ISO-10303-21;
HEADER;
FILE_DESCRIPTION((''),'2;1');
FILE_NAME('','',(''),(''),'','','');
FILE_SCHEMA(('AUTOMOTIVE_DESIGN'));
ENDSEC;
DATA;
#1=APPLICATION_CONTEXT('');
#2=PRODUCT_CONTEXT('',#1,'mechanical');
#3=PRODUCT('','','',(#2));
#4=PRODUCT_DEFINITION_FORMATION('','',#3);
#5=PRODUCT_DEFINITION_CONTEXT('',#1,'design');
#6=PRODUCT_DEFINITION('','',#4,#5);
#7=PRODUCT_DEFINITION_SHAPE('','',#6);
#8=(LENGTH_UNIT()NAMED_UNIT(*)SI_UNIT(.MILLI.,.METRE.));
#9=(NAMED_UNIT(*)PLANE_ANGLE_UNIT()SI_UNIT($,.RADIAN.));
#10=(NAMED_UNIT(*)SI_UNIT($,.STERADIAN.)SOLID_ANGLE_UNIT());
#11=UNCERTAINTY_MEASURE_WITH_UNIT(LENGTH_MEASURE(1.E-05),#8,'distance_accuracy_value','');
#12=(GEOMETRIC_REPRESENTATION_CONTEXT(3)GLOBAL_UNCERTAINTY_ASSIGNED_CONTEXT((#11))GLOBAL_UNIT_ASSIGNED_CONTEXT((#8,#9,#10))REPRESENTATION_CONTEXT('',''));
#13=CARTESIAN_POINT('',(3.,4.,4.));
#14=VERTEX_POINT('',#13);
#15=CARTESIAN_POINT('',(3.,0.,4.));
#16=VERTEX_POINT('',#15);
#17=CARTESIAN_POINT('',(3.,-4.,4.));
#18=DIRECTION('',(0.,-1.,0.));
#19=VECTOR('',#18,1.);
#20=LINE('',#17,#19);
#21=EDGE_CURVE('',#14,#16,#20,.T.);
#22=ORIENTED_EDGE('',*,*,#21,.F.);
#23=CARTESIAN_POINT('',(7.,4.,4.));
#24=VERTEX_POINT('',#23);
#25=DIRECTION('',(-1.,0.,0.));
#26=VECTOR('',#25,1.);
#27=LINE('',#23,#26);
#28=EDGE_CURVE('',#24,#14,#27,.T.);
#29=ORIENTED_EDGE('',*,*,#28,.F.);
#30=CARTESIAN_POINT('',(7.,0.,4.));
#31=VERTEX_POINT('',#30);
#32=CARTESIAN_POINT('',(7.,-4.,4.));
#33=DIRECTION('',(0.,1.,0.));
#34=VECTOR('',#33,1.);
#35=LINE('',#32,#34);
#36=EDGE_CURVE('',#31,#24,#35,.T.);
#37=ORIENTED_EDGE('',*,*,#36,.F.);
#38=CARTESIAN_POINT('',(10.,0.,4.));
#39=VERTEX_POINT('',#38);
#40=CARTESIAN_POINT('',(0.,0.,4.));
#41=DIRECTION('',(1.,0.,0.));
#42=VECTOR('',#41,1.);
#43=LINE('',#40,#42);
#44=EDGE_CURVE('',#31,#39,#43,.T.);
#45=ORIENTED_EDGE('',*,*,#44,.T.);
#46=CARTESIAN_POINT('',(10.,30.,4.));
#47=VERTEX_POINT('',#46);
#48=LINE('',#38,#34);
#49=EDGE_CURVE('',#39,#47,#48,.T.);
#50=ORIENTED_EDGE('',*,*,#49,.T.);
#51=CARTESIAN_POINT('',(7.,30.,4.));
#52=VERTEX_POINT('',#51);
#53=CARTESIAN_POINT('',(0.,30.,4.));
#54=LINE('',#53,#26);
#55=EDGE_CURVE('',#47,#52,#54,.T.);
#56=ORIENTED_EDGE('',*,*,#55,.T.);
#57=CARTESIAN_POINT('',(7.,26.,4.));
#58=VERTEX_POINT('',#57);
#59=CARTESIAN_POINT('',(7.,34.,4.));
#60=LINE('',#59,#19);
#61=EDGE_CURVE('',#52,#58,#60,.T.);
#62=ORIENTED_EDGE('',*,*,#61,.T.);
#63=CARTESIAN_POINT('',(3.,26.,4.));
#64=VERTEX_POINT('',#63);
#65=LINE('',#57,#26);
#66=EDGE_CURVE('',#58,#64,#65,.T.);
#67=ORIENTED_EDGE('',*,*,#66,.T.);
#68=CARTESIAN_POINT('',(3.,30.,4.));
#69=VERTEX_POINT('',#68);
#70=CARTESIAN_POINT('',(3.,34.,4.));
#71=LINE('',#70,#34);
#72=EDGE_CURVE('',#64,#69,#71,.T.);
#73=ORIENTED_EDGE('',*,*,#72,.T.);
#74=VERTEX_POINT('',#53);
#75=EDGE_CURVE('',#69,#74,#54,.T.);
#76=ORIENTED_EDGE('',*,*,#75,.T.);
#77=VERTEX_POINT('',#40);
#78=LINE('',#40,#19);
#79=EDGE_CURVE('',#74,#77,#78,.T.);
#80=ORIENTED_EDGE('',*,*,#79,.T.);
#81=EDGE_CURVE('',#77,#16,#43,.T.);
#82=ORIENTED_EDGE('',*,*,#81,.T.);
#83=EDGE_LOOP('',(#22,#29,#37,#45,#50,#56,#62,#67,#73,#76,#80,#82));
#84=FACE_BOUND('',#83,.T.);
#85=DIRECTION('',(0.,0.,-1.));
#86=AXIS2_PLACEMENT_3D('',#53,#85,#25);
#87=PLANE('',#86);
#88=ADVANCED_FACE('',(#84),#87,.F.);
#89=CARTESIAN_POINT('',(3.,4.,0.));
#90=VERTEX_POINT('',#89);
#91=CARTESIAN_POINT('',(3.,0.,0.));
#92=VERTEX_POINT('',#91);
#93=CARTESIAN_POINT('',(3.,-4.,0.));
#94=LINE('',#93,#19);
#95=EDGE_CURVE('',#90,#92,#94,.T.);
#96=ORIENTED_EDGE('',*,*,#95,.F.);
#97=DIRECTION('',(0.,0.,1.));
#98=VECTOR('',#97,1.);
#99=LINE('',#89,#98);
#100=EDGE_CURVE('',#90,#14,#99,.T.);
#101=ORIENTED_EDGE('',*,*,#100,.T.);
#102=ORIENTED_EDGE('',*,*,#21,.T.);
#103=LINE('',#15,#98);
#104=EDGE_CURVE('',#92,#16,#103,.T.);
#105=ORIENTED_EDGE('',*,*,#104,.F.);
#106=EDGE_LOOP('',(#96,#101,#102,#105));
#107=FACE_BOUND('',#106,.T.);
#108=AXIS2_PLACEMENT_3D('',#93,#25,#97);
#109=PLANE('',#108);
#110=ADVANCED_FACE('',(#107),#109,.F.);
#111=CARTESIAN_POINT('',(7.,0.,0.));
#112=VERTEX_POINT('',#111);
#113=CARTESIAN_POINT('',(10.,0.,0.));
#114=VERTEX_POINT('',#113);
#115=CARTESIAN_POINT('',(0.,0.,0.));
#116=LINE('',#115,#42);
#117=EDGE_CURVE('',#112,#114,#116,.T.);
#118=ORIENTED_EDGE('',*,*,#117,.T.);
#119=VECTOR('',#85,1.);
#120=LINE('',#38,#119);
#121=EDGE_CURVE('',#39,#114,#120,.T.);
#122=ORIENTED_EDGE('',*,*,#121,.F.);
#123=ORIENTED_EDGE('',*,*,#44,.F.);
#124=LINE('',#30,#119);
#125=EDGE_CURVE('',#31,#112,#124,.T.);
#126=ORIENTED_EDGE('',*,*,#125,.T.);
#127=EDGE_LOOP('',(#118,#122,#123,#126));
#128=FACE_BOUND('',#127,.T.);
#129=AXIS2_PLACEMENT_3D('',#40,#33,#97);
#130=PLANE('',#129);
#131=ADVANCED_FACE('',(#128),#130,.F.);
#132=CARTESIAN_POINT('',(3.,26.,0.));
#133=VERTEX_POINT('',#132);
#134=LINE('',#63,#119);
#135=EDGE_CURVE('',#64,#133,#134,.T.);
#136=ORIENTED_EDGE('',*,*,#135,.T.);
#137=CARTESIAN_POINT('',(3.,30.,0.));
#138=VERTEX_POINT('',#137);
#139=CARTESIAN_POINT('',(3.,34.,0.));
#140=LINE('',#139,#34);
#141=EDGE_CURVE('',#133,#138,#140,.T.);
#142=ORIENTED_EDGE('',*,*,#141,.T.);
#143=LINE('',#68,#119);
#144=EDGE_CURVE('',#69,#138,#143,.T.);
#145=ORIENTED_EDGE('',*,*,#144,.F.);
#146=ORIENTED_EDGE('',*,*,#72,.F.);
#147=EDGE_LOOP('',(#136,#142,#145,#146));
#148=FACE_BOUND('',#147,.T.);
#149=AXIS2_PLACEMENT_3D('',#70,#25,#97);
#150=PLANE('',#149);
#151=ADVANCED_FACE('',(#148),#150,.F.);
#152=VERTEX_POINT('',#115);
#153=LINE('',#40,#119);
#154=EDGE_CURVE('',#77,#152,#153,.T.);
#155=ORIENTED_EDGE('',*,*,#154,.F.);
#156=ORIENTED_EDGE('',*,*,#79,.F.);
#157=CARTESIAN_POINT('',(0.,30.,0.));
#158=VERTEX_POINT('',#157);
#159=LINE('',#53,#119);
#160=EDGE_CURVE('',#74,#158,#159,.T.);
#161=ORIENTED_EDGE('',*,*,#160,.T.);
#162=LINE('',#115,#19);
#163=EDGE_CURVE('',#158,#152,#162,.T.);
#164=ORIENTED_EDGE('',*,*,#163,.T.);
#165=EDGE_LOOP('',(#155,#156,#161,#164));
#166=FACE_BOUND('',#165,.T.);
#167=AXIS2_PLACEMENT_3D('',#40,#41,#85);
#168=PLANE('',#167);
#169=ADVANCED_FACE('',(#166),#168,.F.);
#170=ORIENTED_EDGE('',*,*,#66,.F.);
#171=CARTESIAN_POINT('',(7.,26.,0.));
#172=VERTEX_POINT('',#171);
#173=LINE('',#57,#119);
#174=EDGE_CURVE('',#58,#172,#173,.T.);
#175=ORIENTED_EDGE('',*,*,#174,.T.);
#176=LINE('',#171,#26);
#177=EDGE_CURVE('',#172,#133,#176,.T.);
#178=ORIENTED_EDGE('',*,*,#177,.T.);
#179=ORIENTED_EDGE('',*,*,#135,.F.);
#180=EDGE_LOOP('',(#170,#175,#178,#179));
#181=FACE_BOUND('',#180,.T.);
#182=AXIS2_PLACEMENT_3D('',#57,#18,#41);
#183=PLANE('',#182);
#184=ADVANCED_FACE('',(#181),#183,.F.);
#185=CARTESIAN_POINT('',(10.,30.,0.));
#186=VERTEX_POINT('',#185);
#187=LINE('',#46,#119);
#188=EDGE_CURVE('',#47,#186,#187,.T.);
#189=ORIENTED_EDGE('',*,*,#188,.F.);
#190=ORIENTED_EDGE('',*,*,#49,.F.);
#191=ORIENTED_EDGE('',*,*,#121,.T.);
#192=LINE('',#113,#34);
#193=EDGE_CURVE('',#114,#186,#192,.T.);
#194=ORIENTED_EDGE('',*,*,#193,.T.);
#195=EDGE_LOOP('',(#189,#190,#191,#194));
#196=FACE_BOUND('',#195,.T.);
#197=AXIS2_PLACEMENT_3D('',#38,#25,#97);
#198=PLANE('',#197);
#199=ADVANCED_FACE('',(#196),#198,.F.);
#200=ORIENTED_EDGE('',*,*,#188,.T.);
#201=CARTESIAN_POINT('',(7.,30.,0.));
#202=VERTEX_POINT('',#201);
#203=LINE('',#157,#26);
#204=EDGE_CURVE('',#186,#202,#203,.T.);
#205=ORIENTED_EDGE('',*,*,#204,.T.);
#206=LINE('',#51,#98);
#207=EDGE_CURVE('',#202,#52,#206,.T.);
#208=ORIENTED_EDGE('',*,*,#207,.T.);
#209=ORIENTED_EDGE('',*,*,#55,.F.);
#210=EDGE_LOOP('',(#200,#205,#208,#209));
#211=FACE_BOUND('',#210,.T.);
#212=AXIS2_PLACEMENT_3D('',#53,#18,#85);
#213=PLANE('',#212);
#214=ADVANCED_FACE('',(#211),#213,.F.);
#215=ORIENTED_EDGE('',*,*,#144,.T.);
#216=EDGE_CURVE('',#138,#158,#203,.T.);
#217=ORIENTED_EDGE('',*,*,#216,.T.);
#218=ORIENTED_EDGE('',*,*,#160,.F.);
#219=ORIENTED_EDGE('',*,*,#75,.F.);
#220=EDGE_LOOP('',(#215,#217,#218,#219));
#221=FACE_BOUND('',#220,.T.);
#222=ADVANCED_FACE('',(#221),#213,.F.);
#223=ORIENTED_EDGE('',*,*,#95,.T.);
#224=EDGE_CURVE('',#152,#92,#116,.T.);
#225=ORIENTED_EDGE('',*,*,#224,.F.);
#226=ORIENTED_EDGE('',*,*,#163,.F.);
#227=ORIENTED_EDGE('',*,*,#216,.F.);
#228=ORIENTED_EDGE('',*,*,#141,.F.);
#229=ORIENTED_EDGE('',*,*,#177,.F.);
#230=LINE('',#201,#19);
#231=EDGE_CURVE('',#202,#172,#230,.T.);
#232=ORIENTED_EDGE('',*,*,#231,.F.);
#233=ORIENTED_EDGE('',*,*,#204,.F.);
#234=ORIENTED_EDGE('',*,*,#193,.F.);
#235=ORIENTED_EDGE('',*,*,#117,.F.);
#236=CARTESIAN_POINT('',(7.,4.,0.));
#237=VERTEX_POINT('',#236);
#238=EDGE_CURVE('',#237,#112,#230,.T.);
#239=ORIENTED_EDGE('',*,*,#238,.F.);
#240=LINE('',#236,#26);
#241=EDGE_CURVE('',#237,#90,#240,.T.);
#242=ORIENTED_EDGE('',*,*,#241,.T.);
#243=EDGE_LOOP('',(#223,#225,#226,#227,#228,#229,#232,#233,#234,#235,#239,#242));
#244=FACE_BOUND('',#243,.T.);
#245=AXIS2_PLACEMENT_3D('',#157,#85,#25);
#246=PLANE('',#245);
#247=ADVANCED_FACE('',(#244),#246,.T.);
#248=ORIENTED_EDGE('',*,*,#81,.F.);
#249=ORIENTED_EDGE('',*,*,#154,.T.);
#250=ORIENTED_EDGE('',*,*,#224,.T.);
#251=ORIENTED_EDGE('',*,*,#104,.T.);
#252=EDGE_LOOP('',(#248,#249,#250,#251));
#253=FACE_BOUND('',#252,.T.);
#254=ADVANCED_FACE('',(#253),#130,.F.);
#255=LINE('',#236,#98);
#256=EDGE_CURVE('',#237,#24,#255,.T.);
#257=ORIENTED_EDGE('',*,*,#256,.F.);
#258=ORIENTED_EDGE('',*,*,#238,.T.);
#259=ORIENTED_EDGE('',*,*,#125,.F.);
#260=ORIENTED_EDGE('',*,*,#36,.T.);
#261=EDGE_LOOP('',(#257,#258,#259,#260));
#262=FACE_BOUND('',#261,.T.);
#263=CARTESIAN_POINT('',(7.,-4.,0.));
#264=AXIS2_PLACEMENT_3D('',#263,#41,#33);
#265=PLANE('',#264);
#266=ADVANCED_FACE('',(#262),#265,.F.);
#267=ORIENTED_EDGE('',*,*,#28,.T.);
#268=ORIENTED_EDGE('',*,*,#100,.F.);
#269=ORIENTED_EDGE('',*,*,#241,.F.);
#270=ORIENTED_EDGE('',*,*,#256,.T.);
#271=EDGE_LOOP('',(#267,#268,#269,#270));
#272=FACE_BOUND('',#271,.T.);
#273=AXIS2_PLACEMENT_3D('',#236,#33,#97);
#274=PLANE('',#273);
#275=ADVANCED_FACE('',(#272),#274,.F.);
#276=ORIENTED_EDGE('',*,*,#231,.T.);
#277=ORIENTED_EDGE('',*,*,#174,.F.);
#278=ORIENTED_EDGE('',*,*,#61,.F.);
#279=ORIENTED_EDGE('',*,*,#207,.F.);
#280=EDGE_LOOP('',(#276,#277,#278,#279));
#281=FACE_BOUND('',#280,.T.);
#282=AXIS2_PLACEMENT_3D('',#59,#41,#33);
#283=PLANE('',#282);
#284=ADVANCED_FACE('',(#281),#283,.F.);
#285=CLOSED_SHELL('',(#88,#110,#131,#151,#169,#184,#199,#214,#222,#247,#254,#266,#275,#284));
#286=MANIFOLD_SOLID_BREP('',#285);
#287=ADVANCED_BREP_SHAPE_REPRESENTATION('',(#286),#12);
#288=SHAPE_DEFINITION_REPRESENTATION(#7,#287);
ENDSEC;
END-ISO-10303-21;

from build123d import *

# Parameters (mm, degrees)
SKETCH1_W           = 10
SKETCH1_H           = 30
BOSS_EXTRUDE1_DEPTH = 4
SKETCH2_W           = 4
SKETCH2_H           = 8
CUT_EXTRUDE1_DEPTH  = 5
SKETCH3_W           = 4
SKETCH3_H           = 8
CUT_EXTRUDE2_DEPTH  = 5


with BuildPart() as part:
    # Sketch1 → Boss-Extrude1 (new body)
    with BuildSketch(Plane.XY):
        with Locations((5, 15)):
            Rectangle(SKETCH1_W, SKETCH1_H)
    extrude(amount=BOSS_EXTRUDE1_DEPTH)

    # Sketch2 → Cut-Extrude1 (cut, through all)
    with BuildSketch(Plane.XY.offset(4)):
        with Locations((5, 0)):
            Rectangle(SKETCH2_W, SKETCH2_H)
    extrude(amount=-CUT_EXTRUDE1_DEPTH, mode=Mode.SUBTRACT)

    # Sketch3 → Cut-Extrude2 (cut, through all)
    with BuildSketch(Plane(origin=(0, 0, 0), x_dir=(-1, 0, 0), z_dir=(0, 0, -1))):
        with Locations((-5, 30)):
            Rectangle(SKETCH3_W, SKETCH3_H)
    extrude(amount=-CUT_EXTRUDE2_DEPTH, mode=Mode.SUBTRACT)


solid = part.part
